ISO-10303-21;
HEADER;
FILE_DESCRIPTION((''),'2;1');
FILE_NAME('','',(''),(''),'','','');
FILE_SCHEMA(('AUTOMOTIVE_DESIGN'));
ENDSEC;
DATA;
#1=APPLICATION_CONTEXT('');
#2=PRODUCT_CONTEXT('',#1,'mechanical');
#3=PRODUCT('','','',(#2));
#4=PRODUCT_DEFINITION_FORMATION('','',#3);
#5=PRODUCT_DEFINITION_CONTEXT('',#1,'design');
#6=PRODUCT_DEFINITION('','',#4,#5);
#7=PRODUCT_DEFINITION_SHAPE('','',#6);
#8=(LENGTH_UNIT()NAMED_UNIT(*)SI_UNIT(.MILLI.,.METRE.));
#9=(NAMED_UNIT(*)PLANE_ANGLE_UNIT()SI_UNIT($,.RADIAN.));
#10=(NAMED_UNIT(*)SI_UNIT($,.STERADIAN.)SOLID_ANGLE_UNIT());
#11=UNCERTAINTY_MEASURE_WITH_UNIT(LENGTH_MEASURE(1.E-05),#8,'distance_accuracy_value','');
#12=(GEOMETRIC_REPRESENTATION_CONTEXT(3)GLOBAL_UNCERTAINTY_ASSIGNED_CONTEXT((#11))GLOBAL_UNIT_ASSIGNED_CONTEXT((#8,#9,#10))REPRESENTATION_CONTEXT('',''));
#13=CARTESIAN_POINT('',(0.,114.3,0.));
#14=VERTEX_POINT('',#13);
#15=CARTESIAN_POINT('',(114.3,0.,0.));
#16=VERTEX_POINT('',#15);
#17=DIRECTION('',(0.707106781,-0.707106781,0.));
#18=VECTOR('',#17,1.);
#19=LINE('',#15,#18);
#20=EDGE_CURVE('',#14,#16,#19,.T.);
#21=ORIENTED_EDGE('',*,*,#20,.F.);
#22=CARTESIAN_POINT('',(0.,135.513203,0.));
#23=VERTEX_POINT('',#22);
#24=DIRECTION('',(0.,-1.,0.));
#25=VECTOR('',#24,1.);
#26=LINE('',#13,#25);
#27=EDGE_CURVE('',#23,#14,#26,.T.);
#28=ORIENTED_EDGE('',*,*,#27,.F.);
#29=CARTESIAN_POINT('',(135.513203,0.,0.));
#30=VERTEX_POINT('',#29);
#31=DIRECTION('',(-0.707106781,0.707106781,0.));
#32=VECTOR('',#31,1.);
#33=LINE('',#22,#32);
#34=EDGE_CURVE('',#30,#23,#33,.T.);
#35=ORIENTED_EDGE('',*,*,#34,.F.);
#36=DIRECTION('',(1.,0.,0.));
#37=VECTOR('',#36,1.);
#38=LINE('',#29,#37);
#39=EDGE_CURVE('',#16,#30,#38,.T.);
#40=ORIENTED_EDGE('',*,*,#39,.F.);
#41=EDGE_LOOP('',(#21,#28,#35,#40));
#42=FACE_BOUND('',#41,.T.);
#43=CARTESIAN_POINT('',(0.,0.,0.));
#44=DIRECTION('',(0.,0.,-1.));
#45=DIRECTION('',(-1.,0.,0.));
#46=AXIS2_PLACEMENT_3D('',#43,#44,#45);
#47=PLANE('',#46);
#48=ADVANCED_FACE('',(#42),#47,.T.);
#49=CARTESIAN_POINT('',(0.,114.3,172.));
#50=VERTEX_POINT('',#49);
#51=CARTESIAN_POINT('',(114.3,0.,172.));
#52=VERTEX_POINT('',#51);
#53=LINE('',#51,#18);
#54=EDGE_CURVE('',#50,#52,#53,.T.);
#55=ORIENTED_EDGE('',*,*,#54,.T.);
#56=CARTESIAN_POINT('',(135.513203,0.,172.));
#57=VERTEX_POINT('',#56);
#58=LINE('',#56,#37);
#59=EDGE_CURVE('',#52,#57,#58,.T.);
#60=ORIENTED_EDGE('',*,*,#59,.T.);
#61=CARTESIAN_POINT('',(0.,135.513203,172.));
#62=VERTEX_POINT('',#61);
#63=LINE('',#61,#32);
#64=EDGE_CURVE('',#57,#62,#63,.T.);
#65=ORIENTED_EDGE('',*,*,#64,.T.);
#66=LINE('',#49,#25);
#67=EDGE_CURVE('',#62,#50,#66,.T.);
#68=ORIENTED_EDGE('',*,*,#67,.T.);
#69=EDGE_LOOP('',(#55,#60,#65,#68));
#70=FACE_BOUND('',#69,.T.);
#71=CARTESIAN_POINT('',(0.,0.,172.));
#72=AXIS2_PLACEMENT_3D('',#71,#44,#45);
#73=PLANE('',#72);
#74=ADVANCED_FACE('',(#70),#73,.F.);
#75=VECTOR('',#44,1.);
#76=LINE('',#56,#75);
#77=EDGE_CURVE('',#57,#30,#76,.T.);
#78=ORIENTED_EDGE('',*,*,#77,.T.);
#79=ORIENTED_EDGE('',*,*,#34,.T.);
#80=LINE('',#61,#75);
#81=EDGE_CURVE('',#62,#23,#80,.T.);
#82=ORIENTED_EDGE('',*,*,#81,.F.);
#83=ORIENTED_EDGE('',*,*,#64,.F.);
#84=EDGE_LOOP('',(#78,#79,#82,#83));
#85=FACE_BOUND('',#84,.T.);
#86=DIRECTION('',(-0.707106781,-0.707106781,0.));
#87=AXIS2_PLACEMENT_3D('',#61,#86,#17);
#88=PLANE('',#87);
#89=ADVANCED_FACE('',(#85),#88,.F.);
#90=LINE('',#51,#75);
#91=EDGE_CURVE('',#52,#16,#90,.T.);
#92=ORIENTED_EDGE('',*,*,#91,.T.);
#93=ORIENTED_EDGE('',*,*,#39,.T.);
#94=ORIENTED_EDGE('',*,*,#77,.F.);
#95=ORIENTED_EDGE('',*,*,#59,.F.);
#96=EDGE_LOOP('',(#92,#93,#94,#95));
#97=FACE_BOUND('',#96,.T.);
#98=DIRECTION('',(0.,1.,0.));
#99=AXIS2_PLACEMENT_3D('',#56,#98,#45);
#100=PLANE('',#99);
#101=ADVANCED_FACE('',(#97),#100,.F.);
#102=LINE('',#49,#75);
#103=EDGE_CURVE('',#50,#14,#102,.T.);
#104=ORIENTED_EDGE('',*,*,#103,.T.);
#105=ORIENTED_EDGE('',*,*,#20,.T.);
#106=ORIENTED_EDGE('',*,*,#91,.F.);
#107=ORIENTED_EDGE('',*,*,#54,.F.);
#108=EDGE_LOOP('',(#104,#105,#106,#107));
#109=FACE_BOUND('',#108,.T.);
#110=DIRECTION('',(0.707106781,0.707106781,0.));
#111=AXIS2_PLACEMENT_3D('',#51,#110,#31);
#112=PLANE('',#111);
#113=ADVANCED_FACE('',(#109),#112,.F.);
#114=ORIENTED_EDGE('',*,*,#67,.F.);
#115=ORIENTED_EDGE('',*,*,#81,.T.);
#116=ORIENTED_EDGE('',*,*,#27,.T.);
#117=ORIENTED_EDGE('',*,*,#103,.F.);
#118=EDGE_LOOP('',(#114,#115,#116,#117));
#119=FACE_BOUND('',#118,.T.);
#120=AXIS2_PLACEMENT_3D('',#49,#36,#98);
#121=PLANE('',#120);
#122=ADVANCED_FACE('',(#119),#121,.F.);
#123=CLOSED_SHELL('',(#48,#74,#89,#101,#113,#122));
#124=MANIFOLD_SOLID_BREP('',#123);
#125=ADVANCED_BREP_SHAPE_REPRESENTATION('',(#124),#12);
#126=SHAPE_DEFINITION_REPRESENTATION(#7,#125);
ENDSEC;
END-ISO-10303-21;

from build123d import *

# Parameters (mm, degrees)
BOSS_EXTRUDE1_DEPTH = 172


with BuildPart() as part:
    # Sketch1 → Boss-Extrude1 (new body)
    with BuildSketch(Plane.XY):
        Polygon((114.3, 0), (0, 114.3), (0, 135.513203436), (135.513203436, 0), align=None)
    extrude(amount=BOSS_EXTRUDE1_DEPTH)


solid = part.part
